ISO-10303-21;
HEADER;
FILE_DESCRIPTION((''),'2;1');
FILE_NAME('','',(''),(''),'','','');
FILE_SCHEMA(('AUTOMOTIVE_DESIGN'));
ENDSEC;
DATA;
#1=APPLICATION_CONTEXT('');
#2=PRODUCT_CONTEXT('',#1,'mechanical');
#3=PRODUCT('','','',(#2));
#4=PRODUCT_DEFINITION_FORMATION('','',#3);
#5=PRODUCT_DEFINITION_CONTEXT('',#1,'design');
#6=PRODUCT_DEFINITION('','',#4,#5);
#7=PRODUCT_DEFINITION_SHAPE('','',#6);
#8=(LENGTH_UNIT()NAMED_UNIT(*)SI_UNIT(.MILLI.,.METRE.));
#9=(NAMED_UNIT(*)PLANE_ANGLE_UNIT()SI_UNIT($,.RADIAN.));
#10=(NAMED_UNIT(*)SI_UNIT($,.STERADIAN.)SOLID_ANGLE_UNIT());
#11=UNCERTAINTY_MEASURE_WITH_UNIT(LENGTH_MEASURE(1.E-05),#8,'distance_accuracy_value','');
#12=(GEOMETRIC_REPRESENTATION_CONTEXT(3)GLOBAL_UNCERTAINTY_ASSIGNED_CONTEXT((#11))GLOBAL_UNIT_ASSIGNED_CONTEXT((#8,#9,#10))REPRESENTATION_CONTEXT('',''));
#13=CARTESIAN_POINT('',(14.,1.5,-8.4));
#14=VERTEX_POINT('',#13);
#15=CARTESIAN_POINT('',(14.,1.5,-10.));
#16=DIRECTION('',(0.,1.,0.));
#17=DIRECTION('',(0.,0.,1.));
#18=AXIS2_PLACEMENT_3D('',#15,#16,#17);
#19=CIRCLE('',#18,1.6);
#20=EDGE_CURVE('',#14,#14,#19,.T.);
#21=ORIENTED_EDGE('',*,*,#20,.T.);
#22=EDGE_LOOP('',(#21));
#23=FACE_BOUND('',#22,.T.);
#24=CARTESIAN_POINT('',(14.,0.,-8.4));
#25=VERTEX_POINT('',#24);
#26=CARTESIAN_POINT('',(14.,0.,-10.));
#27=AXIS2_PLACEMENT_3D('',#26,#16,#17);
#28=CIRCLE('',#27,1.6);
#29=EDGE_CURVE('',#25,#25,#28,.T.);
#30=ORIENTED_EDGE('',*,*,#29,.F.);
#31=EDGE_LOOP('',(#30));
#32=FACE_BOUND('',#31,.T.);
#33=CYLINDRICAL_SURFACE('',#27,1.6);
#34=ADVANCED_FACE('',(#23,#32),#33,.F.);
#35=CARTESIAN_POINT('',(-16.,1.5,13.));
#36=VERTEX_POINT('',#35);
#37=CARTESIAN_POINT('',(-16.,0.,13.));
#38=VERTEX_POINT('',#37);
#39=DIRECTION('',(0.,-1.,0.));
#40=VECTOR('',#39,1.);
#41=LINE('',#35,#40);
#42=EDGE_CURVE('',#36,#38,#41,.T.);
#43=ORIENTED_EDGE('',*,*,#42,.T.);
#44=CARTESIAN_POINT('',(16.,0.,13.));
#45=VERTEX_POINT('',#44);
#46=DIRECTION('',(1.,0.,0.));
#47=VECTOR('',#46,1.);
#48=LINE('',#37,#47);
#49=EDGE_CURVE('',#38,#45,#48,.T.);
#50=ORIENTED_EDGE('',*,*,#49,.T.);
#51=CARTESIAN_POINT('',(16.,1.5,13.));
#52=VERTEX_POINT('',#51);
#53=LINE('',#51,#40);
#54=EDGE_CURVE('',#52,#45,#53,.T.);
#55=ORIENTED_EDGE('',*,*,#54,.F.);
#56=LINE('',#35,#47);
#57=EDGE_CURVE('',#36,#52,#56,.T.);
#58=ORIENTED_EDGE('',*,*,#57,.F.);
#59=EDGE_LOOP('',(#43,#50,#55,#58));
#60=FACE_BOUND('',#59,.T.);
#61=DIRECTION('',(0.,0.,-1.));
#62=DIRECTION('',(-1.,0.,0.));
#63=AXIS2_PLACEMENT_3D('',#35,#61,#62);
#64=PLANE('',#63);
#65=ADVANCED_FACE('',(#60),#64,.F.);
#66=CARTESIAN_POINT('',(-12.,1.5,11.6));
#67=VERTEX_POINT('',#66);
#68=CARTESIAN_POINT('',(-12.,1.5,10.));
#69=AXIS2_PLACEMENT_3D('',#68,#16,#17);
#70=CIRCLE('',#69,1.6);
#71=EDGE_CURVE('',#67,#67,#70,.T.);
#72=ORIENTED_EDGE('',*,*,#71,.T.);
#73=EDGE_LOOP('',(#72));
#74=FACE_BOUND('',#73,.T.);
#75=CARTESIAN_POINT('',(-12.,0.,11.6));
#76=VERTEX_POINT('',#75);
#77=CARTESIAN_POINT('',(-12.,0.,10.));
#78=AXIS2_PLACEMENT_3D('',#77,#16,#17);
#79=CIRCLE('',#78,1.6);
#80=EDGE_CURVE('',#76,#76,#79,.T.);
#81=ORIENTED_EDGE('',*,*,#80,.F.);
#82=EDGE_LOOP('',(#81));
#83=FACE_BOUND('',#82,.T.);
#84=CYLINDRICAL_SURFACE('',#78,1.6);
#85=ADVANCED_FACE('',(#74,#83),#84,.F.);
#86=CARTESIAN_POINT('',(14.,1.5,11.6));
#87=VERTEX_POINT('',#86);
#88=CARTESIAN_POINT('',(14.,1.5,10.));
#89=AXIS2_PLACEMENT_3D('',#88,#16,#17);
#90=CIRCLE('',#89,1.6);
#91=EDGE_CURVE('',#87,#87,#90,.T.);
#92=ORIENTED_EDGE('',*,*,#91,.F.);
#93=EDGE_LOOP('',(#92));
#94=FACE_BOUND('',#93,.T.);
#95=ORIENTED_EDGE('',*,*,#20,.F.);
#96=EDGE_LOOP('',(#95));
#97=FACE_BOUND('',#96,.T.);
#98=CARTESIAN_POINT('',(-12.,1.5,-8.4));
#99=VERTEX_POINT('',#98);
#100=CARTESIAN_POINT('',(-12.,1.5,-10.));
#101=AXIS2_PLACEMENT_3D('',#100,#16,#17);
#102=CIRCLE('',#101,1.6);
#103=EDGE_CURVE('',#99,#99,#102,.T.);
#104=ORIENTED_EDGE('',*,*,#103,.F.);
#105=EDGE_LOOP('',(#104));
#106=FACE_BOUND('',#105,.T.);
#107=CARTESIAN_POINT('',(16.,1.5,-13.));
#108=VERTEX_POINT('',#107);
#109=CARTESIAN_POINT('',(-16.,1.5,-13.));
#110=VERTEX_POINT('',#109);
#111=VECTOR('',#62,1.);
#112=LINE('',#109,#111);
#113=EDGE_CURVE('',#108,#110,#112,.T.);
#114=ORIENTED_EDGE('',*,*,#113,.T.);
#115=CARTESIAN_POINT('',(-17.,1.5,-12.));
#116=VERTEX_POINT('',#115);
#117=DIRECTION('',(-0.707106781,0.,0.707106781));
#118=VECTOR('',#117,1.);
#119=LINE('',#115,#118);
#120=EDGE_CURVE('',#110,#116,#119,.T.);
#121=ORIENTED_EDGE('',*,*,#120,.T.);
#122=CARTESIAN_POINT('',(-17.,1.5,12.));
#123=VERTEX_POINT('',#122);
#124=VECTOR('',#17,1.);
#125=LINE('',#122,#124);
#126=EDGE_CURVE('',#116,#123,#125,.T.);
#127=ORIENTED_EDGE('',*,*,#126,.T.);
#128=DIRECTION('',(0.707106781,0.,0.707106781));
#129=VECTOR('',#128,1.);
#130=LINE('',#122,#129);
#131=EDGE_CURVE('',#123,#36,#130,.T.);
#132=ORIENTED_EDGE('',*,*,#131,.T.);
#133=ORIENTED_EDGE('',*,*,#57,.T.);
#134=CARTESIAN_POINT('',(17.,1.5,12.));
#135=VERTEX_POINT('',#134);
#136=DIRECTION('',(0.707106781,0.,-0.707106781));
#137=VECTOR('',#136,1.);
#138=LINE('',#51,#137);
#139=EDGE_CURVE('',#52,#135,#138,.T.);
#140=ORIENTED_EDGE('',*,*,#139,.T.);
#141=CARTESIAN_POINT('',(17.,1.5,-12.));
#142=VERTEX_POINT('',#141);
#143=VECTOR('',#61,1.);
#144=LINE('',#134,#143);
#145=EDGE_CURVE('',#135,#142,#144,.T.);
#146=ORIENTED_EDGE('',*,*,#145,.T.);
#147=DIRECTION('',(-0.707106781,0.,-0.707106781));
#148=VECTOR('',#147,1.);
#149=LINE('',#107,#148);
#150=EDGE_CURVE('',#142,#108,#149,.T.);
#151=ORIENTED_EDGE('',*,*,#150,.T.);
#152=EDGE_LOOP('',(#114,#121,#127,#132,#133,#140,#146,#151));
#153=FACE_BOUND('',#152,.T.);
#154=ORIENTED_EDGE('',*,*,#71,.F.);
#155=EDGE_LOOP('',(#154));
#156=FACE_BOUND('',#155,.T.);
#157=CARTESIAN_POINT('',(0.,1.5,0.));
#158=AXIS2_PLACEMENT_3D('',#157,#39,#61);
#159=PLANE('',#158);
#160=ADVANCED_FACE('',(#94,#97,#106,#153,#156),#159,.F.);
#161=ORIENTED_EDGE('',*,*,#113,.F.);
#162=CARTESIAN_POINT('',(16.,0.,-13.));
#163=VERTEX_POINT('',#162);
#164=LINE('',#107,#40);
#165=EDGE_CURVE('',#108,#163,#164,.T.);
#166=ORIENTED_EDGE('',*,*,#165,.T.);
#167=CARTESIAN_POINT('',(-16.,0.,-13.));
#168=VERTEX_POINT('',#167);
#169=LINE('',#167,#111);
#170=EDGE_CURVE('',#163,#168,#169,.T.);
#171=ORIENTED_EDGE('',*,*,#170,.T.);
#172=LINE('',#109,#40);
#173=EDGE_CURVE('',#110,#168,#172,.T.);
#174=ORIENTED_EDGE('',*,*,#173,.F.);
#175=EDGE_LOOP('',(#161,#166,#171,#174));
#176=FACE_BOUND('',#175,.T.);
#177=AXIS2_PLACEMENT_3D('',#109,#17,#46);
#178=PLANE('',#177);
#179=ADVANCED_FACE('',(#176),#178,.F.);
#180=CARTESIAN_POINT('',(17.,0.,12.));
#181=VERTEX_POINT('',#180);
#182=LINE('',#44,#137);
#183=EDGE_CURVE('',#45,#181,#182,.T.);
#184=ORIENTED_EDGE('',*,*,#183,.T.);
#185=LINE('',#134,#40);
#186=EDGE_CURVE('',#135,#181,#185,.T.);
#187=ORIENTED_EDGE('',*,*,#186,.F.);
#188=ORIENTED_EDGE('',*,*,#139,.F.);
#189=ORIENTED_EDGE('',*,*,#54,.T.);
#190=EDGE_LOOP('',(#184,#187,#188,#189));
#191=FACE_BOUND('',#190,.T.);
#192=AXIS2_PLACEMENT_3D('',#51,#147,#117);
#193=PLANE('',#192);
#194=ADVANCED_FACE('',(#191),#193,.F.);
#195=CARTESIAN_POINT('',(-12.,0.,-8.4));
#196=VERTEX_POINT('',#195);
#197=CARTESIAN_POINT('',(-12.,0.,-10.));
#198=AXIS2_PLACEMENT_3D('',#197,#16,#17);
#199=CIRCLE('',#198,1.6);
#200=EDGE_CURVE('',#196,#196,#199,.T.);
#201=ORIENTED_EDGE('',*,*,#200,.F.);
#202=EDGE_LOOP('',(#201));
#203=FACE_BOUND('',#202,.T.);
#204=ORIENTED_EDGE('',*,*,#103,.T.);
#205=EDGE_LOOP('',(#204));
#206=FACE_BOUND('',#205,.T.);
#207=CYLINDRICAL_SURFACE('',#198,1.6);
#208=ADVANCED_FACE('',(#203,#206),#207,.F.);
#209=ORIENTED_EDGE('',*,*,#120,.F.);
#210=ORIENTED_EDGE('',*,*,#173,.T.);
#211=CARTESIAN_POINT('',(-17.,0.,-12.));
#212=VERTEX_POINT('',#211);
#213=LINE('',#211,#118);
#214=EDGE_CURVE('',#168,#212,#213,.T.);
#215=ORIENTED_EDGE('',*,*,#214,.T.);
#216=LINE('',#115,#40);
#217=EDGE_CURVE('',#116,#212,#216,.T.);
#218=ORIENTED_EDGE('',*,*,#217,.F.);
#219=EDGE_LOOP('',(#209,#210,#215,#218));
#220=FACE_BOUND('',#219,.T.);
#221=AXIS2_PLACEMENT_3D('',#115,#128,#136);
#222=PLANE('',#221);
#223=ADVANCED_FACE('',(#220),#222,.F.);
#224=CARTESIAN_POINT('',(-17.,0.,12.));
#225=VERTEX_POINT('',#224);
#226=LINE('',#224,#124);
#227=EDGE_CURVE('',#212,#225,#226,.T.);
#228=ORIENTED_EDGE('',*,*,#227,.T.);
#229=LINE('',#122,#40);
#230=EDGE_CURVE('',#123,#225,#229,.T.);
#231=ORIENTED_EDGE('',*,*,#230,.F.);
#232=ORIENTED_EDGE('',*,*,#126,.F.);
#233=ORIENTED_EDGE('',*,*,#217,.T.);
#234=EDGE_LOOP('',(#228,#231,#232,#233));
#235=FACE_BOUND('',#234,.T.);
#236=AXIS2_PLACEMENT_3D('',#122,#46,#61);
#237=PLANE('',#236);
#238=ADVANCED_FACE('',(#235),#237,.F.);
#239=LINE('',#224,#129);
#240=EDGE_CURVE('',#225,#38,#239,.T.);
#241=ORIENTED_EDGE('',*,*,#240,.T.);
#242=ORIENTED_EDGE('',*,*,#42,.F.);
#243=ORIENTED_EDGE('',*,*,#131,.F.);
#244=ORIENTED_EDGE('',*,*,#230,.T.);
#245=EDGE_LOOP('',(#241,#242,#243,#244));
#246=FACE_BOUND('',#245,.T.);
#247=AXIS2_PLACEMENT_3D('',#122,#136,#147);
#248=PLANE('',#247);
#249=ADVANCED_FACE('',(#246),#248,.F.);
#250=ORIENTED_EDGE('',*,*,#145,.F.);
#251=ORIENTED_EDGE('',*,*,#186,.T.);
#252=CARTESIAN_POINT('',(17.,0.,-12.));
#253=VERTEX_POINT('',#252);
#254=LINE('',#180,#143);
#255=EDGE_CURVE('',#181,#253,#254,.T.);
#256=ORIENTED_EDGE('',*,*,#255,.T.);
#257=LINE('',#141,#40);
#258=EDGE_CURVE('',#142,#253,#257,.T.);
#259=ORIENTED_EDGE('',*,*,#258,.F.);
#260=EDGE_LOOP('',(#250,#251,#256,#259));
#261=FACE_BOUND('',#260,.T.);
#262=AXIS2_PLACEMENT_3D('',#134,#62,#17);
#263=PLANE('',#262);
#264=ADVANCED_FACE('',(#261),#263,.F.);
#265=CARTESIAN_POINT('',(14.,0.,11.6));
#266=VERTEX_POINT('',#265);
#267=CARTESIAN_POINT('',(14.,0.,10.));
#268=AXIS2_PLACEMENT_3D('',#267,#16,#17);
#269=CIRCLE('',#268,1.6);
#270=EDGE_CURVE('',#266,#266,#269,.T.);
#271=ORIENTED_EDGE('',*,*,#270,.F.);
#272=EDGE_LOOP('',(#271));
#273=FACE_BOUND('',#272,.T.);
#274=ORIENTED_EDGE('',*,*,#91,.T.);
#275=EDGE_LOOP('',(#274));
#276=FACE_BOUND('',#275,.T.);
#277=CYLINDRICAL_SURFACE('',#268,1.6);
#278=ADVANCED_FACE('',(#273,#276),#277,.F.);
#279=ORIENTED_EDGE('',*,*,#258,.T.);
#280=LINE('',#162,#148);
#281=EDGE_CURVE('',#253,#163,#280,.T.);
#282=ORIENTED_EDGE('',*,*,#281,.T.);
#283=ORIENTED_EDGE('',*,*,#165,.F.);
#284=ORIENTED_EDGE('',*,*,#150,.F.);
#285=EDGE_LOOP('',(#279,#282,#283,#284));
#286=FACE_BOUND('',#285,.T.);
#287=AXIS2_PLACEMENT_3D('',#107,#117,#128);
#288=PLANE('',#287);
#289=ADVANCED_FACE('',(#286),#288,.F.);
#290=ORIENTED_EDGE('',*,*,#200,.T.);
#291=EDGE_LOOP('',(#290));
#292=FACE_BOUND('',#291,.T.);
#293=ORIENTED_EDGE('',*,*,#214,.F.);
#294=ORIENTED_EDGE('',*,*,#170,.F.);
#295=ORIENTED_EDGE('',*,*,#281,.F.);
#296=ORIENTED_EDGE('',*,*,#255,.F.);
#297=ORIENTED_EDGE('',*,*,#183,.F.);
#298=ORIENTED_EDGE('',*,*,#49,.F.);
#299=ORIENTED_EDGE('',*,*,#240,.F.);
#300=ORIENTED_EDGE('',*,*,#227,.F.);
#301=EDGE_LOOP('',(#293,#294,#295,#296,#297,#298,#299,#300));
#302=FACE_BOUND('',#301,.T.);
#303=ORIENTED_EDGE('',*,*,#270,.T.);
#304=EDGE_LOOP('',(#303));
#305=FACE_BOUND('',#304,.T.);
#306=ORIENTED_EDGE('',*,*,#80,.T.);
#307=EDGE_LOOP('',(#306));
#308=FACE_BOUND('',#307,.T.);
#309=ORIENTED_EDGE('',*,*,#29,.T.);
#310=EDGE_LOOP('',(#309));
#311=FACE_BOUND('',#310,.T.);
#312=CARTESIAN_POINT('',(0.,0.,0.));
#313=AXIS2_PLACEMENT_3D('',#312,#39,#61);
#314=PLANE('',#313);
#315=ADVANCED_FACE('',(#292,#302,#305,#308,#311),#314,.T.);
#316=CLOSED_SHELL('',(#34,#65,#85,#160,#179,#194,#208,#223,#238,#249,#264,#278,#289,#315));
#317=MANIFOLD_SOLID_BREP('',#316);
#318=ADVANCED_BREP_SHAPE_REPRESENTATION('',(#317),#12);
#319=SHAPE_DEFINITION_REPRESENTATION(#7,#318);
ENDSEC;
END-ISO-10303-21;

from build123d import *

# Parameters (mm, degrees)
EXTRUDE_1_DEPTH     = 1.5
SKETCH_2_R          = 1.6
CUT_EXTRUDE_1_DEPTH = 1.5


with BuildPart() as part:
    # 草图1 → 凸台-拉伸1 (new body)
    with BuildSketch(Plane(origin=(0, 0, 0), x_dir=(1, 0, 0), z_dir=(0, 1, 0))):
        Polygon((-17, 12), (-16, 13), (16, 13), (17, 12), (17, -12), (16, -13), (-16, -13), (-17, -12), align=None)
    extrude(amount=EXTRUDE_1_DEPTH)

    # 草图2 → 切除-拉伸1 (cut)
    with BuildSketch(Plane(origin=(0, 1.5, 0), x_dir=(1, 0, 0), z_dir=(0, 1, 0))):
        with Locations((14, 10)):
            Circle(SKETCH_2_R)
        with Locations((14, -10)):
            Circle(SKETCH_2_R)
        with Locations((-12, 10)):
            Circle(SKETCH_2_R)
        with Locations((-12, -10)):
            Circle(SKETCH_2_R)
    extrude(amount=-CUT_EXTRUDE_1_DEPTH, mode=Mode.SUBTRACT)


solid = part.part
